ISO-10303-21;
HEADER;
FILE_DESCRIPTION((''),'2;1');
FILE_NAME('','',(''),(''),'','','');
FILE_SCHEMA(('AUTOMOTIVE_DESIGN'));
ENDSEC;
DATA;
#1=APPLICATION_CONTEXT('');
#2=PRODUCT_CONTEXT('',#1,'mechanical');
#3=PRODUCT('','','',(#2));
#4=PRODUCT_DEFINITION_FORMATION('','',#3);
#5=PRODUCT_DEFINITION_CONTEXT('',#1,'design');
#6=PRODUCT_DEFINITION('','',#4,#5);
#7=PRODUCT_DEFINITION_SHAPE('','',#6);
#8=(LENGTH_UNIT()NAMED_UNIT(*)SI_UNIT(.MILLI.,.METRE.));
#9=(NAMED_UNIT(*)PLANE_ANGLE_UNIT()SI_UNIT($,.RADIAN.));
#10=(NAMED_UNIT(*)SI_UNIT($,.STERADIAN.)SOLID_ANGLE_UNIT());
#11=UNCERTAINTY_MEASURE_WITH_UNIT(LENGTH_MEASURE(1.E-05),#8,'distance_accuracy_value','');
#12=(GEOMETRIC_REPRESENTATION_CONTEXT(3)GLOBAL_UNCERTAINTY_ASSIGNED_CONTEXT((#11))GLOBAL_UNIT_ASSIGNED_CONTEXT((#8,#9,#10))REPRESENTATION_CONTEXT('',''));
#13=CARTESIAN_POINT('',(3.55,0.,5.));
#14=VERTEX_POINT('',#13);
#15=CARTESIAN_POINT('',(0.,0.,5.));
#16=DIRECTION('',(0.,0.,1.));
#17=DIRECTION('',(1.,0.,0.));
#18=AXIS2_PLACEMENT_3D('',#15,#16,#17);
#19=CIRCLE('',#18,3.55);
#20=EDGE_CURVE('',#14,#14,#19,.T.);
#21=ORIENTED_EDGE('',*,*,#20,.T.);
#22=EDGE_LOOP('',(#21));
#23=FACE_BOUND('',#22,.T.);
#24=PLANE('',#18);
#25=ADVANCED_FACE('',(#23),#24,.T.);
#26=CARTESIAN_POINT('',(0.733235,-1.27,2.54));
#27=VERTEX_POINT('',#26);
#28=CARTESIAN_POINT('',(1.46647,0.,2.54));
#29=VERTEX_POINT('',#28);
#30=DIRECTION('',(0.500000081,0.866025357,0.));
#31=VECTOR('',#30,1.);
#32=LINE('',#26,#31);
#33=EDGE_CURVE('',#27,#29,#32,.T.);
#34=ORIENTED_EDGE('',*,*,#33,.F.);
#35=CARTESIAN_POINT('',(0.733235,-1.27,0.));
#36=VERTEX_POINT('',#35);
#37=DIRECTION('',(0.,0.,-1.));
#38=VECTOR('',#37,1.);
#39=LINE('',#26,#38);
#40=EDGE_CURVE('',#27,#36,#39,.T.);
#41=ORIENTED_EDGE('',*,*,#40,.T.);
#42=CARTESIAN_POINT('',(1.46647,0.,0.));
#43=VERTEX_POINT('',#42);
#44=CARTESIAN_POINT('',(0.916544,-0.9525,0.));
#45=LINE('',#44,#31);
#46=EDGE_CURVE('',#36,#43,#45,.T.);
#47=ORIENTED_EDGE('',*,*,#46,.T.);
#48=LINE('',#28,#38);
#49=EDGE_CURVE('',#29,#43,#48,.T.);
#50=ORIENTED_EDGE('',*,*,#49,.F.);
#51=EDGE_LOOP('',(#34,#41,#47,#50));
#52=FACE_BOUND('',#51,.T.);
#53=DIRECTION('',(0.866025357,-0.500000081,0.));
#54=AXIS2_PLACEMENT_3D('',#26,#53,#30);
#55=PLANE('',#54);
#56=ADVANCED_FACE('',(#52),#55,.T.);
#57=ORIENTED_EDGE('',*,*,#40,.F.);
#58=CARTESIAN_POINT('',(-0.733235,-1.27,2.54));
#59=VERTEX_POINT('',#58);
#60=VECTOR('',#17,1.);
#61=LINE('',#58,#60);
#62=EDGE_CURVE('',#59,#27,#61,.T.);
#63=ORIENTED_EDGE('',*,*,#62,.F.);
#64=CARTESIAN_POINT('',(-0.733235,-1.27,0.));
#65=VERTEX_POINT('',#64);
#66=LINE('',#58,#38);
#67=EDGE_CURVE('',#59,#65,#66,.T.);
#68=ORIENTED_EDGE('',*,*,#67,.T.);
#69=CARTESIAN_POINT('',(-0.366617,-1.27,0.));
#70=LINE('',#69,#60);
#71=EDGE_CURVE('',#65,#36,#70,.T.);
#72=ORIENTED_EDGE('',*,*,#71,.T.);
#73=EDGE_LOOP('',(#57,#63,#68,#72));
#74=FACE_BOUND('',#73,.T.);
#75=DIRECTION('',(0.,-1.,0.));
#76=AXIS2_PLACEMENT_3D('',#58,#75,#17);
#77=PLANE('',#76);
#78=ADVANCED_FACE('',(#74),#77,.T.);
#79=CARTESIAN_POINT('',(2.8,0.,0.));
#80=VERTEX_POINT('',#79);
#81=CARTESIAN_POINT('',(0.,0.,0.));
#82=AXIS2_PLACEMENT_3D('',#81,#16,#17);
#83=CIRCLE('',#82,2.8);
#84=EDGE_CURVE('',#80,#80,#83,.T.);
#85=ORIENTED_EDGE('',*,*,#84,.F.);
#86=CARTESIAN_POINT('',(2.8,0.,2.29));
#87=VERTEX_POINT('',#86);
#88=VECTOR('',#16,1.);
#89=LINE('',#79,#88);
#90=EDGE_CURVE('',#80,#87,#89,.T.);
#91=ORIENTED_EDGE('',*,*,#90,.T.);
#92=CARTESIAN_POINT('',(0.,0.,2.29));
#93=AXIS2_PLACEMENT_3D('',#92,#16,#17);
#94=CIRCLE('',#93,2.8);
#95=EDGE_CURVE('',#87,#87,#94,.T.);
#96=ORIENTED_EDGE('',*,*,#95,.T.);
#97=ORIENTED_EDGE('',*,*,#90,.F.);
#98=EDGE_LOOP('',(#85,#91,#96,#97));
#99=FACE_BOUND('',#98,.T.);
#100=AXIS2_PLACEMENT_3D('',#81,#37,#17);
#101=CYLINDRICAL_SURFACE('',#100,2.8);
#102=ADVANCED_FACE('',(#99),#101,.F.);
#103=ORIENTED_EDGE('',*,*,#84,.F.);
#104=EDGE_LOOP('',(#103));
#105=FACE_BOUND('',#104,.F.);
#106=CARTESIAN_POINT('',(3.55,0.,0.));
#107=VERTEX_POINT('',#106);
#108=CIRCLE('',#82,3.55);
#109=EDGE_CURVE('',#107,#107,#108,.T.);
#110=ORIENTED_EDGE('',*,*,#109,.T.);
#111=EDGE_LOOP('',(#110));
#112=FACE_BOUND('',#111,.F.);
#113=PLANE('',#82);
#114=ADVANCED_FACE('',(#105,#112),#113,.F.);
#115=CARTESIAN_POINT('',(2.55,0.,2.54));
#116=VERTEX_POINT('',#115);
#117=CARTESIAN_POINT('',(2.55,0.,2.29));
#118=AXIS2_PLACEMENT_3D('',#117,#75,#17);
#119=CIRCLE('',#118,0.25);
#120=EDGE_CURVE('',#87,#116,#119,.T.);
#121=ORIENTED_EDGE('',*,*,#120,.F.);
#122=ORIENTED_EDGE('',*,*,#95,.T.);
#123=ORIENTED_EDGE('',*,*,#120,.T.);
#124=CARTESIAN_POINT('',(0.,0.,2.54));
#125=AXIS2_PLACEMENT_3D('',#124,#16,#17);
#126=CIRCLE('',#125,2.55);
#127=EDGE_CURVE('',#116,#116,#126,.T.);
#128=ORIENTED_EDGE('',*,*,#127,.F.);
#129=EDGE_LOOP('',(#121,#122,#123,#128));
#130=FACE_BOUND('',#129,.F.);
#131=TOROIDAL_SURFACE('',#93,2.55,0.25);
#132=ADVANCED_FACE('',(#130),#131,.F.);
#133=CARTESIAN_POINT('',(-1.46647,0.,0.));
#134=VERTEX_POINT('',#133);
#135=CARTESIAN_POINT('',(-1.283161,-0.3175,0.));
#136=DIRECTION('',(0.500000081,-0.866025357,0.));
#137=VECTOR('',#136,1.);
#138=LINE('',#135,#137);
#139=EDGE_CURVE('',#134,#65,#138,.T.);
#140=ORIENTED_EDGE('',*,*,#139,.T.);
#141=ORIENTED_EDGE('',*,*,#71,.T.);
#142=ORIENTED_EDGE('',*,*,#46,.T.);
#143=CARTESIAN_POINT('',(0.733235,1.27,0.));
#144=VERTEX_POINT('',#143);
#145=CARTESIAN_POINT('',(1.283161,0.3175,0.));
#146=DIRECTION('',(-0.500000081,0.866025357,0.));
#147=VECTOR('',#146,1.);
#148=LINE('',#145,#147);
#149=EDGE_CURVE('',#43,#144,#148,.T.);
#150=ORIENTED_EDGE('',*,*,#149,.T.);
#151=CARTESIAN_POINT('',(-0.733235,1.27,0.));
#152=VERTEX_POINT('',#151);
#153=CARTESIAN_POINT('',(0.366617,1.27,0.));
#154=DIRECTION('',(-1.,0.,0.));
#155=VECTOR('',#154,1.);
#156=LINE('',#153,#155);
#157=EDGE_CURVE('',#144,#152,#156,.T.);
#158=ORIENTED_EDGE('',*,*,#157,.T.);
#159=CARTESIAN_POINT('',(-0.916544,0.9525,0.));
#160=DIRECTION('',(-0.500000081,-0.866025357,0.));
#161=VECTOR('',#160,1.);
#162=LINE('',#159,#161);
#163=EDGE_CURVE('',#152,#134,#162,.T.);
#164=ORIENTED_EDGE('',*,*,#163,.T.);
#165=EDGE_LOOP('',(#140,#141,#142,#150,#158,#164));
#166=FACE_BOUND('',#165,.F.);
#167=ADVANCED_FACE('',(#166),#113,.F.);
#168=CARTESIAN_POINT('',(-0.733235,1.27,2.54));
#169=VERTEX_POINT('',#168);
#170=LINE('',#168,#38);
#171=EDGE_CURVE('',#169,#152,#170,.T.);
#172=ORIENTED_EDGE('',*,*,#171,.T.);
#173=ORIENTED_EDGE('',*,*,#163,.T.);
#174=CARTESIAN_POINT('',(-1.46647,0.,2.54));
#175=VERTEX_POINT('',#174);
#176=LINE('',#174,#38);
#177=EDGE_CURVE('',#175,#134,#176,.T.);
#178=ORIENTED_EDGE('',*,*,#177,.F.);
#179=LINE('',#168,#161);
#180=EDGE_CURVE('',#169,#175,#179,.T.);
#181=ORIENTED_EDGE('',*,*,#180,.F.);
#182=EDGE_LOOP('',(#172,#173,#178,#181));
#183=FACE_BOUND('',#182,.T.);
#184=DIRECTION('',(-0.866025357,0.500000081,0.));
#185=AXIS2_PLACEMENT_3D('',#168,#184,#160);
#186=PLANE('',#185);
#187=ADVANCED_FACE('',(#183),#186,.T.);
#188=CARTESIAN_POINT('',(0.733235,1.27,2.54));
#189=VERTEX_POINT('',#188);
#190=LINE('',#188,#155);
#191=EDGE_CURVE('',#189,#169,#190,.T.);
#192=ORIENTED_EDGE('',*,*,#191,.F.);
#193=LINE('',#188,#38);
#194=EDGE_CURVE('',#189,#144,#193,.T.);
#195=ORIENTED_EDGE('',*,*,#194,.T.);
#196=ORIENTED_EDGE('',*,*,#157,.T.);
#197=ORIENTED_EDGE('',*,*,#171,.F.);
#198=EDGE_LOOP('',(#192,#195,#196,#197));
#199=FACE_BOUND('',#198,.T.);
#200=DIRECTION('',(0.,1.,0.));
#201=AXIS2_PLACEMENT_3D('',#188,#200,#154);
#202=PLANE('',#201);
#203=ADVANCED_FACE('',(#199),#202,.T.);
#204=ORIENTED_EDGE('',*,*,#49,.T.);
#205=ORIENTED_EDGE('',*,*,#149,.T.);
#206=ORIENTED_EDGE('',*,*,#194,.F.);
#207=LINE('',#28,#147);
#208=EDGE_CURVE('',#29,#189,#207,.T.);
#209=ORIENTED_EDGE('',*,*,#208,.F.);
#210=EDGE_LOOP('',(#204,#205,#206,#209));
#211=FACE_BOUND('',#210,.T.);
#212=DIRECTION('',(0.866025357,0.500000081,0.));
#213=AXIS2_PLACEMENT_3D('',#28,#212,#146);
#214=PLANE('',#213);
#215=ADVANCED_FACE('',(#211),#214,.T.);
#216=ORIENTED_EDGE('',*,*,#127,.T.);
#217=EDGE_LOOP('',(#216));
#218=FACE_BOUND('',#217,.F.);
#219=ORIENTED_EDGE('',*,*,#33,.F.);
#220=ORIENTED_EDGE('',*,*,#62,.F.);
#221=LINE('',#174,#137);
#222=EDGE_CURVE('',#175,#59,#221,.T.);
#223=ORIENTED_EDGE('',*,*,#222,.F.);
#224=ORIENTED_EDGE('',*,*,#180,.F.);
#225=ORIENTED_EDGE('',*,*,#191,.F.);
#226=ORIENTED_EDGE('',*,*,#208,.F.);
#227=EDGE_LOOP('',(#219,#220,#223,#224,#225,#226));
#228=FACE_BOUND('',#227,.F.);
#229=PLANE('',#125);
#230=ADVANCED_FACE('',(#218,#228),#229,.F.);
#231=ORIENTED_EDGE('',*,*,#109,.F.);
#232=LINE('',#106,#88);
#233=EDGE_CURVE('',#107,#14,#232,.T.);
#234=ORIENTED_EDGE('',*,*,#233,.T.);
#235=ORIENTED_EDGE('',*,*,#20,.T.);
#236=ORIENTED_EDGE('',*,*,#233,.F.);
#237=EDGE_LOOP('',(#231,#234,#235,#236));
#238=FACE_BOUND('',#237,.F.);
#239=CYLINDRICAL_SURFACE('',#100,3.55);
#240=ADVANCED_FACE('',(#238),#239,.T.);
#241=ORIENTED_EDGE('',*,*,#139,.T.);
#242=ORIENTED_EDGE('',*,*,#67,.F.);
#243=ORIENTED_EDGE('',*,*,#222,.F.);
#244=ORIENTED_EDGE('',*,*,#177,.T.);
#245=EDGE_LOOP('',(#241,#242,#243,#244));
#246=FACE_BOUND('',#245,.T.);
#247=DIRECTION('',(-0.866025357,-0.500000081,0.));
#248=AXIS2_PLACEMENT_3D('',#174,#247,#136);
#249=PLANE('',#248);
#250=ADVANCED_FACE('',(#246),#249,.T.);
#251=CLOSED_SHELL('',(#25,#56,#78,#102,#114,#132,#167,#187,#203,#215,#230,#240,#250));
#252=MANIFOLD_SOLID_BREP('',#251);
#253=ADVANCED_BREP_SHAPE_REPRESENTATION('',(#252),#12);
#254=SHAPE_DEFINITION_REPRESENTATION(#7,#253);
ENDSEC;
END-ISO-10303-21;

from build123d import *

# Parameters (mm, degrees)
CYLINDER_R        = 2.8
CYLINDER_DEPTH    = 2.54
POCKET_DEPTH      = 5
FILLET_R          = 0.25
CYLINDER001_R     = 3.55
CYLINDER001_DEPTH = 5


with BuildPart() as bolt:
    # Cylinder → Cylinder (new body)
    with BuildSketch(Plane.XY):
        Circle(CYLINDER_R)
    extrude(amount=CYLINDER_DEPTH)

    # Sketch → Pocket (cut)
    with BuildSketch(Plane.XY.offset(2.54)):
        Polygon((-0.733235, 1.27), (-1.46647, 0), (-0.733235, -1.27), (0.733235, -1.27), (1.46647, 0), (0.733235, 1.27), align=None)
    extrude(amount=-POCKET_DEPTH, mode=Mode.SUBTRACT)

    # Fillet
    fillet_edges = [bolt.edges().sort_by_distance(p)[0] for p in [
        (-2.8, 0, 2.54),
    ]]
    fillet(fillet_edges, radius=FILLET_R)


with BuildPart() as bolt_hook:
    # Cylinder001 → Cylinder001 (new body)
    with BuildSketch(Plane.XY):
        Circle(CYLINDER001_R)
    extrude(amount=CYLINDER001_DEPTH)

    # Cut: cut Bolt
    add(bolt.part, mode=Mode.SUBTRACT)


solid = bolt_hook.part
